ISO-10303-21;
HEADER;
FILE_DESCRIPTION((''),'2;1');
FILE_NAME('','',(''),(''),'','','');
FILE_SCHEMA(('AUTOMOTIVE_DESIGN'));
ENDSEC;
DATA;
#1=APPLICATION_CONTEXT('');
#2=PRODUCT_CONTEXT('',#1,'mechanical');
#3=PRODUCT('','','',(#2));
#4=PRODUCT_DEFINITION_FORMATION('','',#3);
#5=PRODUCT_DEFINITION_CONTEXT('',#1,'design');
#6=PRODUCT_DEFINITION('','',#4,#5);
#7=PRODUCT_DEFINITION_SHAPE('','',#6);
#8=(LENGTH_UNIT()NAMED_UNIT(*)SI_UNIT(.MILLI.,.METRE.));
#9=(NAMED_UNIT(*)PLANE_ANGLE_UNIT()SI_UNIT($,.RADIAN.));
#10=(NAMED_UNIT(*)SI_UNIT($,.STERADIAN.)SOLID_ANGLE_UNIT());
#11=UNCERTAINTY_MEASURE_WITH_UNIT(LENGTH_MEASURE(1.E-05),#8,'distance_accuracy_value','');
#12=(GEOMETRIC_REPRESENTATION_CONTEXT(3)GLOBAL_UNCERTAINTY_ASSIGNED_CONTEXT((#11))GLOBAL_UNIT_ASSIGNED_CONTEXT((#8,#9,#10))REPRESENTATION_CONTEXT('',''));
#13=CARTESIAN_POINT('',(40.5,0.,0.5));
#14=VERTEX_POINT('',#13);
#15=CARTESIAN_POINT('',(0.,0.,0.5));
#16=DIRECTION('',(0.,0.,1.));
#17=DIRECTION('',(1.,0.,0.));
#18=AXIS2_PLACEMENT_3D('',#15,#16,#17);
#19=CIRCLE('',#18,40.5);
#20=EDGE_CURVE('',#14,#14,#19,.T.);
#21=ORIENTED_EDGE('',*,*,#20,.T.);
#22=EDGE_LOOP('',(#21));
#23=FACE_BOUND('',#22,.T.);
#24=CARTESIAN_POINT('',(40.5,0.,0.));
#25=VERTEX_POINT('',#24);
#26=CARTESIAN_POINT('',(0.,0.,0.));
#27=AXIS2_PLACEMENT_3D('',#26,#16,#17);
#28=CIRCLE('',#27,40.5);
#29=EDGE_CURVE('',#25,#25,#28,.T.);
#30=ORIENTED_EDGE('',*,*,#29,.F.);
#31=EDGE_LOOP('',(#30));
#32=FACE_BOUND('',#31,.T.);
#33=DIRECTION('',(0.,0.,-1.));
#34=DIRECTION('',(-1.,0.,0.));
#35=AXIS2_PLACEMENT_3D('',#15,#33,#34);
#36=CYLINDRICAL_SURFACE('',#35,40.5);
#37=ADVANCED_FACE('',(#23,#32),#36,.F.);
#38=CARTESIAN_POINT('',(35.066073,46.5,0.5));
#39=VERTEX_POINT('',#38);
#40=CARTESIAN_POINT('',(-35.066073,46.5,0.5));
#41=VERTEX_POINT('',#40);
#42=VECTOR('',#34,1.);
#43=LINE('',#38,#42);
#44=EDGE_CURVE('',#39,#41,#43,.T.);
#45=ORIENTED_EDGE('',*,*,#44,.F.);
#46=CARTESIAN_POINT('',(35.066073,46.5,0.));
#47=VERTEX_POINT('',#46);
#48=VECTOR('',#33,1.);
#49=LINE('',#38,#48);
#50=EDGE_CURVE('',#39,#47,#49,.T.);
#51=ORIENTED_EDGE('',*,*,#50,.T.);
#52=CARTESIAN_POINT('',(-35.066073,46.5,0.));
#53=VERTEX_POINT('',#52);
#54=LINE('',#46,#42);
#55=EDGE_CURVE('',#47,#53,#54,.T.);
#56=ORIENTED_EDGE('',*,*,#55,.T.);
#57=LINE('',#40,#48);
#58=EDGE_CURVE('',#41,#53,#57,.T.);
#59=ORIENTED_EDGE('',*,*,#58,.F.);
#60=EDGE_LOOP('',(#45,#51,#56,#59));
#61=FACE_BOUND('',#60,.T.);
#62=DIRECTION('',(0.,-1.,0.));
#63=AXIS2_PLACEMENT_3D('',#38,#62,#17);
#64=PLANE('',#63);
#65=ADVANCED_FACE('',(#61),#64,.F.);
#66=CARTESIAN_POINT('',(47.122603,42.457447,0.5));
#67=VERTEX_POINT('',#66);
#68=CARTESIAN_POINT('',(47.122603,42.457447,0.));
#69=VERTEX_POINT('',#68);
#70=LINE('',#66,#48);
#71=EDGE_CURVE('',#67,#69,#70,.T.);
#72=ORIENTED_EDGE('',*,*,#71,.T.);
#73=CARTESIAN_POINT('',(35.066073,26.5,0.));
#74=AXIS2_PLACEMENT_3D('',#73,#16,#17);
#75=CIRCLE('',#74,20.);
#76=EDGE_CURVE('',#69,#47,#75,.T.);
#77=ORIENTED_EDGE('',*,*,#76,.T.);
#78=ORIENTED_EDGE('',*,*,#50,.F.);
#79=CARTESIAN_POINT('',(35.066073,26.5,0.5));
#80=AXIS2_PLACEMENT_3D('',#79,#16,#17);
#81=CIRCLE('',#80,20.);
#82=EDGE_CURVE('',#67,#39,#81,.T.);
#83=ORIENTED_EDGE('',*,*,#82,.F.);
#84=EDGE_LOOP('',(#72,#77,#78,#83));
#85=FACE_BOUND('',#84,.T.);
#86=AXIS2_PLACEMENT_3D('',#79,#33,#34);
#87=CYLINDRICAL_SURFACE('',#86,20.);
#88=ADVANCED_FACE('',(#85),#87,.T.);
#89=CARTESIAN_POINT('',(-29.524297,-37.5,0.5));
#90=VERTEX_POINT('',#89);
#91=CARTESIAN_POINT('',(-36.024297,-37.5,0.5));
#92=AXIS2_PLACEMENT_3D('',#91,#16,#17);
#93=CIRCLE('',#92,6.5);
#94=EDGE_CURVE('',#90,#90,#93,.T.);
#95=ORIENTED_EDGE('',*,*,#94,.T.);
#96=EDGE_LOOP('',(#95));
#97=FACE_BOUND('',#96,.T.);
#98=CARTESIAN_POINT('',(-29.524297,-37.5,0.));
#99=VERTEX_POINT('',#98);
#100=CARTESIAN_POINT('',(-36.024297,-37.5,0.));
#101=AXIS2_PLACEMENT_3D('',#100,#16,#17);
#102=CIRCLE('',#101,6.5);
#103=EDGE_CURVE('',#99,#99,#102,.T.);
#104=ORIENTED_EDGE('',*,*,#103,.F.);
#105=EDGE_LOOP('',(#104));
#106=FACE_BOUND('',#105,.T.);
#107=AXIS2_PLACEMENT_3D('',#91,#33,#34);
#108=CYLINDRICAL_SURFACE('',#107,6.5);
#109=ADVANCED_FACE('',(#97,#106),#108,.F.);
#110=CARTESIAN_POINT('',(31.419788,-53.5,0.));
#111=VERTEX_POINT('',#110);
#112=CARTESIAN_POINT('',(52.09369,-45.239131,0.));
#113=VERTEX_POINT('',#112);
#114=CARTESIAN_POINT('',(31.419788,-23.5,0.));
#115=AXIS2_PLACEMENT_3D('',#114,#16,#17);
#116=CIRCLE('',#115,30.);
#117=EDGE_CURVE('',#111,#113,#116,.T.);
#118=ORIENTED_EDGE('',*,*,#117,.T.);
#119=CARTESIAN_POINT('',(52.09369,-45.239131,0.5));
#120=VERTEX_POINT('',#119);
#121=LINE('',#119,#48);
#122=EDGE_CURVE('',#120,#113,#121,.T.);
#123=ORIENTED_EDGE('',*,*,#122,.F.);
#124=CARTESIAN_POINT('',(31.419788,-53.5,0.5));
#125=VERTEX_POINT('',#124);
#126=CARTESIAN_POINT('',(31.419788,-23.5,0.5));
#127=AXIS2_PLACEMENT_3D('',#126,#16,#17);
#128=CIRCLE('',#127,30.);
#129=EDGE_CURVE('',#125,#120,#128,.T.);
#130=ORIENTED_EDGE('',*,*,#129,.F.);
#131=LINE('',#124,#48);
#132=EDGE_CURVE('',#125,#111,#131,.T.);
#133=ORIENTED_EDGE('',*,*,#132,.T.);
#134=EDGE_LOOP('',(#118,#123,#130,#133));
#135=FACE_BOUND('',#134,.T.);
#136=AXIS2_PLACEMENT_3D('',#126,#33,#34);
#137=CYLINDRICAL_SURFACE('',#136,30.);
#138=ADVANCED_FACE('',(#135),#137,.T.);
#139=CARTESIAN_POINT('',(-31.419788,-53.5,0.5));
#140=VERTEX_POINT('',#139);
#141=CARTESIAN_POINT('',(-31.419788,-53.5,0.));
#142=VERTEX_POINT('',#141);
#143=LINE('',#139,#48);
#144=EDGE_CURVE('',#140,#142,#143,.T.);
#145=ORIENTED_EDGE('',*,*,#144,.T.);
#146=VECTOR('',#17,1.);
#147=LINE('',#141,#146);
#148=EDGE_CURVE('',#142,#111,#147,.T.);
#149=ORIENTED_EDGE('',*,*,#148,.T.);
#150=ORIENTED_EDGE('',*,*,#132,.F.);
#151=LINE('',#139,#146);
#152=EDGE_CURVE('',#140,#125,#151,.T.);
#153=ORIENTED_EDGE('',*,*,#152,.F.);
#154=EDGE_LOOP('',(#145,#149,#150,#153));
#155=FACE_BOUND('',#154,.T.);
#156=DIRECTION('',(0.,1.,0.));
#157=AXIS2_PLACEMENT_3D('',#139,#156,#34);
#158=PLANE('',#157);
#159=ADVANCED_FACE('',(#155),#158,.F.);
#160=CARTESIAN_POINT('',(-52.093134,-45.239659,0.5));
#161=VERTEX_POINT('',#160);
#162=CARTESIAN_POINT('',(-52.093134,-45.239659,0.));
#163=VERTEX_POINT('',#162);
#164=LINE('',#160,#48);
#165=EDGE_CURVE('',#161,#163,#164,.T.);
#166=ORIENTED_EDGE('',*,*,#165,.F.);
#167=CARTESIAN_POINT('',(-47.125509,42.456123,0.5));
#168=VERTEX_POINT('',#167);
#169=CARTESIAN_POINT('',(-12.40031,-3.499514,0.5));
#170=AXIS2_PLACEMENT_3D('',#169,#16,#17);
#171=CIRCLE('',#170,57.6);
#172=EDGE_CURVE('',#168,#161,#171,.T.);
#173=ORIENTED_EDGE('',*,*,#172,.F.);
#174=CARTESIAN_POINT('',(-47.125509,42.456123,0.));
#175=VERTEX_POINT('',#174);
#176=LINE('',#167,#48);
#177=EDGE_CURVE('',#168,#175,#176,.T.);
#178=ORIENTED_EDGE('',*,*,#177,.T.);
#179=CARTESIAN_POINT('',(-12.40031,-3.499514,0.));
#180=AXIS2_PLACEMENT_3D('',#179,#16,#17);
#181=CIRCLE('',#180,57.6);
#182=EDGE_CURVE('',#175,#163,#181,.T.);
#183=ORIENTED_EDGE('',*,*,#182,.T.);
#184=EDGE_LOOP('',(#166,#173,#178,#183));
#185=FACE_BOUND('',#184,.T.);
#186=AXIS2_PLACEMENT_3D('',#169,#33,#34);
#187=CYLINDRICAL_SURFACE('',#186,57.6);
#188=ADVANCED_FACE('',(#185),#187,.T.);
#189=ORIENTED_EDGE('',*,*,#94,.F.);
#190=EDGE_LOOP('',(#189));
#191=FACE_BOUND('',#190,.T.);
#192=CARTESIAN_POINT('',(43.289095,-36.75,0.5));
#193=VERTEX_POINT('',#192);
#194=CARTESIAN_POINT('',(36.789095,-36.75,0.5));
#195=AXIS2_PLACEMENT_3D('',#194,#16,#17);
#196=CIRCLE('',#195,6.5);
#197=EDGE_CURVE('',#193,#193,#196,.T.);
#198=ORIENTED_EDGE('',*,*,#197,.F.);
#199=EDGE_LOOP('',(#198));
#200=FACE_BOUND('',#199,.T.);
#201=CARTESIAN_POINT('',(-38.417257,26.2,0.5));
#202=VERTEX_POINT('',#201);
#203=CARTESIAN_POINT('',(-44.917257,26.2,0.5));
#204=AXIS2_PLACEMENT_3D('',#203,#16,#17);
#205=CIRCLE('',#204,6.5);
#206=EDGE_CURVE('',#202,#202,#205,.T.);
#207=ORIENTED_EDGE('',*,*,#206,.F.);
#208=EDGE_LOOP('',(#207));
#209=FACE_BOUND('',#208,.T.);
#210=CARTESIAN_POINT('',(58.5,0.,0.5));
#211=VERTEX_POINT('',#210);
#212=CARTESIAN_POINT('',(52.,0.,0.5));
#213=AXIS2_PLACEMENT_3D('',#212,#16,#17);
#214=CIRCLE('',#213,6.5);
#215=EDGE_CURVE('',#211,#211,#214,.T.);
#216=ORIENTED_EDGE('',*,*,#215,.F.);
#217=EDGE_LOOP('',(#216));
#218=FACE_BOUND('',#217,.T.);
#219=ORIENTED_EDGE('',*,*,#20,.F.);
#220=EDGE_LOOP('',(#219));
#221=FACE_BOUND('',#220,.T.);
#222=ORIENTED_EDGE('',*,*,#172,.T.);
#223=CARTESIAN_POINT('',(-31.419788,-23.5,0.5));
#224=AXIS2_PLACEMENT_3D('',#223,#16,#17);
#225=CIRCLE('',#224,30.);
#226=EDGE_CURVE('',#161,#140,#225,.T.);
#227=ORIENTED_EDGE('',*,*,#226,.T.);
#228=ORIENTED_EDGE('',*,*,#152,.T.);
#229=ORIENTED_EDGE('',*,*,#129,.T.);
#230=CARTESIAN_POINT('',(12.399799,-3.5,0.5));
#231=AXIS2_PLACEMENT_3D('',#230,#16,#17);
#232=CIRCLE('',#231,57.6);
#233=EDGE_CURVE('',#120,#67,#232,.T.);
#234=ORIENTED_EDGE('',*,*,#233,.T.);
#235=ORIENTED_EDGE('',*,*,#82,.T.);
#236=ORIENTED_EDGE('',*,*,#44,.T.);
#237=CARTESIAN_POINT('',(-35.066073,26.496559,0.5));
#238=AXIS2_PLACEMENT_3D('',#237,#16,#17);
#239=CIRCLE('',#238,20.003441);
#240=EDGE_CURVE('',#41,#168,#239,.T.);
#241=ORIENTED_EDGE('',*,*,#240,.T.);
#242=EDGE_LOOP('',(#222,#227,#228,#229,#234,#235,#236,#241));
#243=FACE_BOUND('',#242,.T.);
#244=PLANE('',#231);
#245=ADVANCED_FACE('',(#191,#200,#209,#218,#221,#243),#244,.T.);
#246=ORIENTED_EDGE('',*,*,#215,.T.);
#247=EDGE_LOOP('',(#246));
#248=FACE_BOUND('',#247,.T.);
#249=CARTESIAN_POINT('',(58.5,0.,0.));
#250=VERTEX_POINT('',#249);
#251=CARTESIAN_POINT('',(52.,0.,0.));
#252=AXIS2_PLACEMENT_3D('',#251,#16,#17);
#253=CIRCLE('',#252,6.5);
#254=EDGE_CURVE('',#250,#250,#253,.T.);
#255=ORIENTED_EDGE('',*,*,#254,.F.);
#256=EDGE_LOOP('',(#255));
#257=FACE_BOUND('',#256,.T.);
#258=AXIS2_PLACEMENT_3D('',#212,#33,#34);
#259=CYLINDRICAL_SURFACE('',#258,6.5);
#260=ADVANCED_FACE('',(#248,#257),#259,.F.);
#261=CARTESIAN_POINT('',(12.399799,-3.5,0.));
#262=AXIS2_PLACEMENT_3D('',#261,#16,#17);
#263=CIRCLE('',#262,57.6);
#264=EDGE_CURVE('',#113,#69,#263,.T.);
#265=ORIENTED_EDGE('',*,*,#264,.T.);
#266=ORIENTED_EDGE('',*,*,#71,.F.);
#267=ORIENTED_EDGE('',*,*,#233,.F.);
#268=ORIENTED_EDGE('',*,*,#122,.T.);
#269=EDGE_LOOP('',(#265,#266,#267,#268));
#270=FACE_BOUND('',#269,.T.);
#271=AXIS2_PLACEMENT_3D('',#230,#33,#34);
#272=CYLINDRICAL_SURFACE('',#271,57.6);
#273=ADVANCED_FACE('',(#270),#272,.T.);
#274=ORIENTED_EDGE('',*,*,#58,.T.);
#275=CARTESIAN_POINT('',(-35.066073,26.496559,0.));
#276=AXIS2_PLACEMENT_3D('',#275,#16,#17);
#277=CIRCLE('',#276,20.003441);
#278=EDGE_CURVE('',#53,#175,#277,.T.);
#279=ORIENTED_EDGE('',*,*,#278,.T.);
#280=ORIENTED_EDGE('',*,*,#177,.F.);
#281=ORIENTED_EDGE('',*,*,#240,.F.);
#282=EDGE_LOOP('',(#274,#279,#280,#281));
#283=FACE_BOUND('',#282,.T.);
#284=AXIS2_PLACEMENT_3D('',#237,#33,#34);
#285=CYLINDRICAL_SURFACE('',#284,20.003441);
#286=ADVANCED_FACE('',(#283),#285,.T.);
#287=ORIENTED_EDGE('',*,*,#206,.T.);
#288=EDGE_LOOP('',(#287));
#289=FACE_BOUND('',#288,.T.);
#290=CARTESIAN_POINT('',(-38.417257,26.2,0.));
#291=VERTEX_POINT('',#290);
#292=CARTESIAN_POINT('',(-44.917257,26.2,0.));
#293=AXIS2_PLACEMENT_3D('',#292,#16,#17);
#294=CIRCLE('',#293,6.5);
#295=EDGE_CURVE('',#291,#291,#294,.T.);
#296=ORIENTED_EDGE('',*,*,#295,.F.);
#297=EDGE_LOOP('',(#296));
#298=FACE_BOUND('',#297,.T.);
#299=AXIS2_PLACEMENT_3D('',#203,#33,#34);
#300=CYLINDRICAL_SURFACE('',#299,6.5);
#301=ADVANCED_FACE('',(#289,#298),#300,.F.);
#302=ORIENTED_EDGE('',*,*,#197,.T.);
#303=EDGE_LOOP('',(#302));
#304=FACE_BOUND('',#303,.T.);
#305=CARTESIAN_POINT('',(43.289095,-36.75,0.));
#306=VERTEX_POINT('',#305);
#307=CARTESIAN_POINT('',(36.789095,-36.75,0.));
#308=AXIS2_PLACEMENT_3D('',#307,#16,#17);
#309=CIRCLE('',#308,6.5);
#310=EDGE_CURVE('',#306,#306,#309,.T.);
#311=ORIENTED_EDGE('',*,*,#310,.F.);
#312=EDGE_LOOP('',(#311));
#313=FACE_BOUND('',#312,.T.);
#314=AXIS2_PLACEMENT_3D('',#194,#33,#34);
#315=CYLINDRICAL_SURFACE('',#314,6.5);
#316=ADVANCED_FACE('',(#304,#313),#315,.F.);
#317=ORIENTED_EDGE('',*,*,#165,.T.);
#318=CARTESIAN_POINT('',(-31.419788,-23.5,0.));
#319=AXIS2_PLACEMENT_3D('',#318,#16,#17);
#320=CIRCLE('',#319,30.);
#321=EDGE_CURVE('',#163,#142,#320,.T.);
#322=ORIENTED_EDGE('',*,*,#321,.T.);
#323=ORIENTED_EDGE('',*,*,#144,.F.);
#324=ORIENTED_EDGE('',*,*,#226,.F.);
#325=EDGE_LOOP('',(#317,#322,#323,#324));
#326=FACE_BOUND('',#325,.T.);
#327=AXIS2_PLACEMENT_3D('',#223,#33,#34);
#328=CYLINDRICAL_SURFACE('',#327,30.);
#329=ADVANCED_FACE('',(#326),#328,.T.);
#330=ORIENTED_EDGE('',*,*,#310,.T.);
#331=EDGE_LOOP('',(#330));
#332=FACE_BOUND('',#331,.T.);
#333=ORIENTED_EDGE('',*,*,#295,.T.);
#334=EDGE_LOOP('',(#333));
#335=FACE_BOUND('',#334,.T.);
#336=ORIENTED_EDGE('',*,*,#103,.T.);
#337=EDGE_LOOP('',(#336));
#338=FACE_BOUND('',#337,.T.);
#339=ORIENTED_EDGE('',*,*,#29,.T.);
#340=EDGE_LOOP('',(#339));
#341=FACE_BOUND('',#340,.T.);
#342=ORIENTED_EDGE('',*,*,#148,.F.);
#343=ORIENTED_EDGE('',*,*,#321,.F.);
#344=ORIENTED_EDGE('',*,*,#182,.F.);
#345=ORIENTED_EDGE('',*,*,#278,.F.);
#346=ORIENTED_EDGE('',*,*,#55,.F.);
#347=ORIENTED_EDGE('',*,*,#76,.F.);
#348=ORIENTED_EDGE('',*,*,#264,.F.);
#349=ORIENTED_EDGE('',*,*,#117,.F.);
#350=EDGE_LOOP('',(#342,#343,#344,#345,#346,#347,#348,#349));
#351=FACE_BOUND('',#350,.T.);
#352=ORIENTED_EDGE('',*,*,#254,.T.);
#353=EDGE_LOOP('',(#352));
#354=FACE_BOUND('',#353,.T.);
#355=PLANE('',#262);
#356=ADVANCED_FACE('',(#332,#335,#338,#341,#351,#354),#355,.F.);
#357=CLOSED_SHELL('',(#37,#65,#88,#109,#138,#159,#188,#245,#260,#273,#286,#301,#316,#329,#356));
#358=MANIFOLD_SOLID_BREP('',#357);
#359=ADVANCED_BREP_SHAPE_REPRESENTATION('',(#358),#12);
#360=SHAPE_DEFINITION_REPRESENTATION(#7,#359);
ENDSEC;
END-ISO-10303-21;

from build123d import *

# Parameters (mm, degrees)
SKETCH1_R      = 40.5
SKETCH1_R_2    = 6.5
EXTRUDE1_DEPTH = 0.5


with BuildPart() as part:
    # Sketch1 → Extrude1 (new body)
    with BuildSketch(Plane.XY):
        with BuildLine():
            Line((-31.419788217, -53.5000001), (31.419788217, -53.5000001))
            ThreePointArc((31.419788217, -53.5000001), (42.551411722, -51.358337419), (52.093689717, -45.239130643))
            ThreePointArc((52.093689717, -45.239130643), (69.907481155, -0.240172639), (47.122602539, 42.457446655))
            ThreePointArc((47.122602539, 42.457446655), (41.424181091, 45.462448781), (35.066073476, 46.4999999))
            Line((35.066073476, 46.4999999), (-35.066073476, 46.4999999))
            ThreePointArc((-35.066073476, 46.4999999), (-41.425769339, 45.462104521), (-47.125508858, 42.456122536))
            ThreePointArc((-47.125508858, 42.456122536), (-69.908118584, -0.241920052), (-52.093134412, -45.239658724))
            ThreePointArc((-52.093134412, -45.239658724), (-42.551055918, -51.358479588), (-31.419788217, -53.5000001))
        make_face()
        Circle(SKETCH1_R, mode=Mode.SUBTRACT)
        with Locations((-44.917257263, 26.2)):
            Circle(SKETCH1_R_2, mode=Mode.SUBTRACT)
        with Locations((-36.024297356, -37.5)):
            Circle(SKETCH1_R_2, mode=Mode.SUBTRACT)
        with Locations((36.789094852, -36.75)):
            Circle(SKETCH1_R_2, mode=Mode.SUBTRACT)
        with Locations((52, 0)):
            Circle(SKETCH1_R_2, mode=Mode.SUBTRACT)
    extrude(amount=EXTRUDE1_DEPTH)


solid = part.part
